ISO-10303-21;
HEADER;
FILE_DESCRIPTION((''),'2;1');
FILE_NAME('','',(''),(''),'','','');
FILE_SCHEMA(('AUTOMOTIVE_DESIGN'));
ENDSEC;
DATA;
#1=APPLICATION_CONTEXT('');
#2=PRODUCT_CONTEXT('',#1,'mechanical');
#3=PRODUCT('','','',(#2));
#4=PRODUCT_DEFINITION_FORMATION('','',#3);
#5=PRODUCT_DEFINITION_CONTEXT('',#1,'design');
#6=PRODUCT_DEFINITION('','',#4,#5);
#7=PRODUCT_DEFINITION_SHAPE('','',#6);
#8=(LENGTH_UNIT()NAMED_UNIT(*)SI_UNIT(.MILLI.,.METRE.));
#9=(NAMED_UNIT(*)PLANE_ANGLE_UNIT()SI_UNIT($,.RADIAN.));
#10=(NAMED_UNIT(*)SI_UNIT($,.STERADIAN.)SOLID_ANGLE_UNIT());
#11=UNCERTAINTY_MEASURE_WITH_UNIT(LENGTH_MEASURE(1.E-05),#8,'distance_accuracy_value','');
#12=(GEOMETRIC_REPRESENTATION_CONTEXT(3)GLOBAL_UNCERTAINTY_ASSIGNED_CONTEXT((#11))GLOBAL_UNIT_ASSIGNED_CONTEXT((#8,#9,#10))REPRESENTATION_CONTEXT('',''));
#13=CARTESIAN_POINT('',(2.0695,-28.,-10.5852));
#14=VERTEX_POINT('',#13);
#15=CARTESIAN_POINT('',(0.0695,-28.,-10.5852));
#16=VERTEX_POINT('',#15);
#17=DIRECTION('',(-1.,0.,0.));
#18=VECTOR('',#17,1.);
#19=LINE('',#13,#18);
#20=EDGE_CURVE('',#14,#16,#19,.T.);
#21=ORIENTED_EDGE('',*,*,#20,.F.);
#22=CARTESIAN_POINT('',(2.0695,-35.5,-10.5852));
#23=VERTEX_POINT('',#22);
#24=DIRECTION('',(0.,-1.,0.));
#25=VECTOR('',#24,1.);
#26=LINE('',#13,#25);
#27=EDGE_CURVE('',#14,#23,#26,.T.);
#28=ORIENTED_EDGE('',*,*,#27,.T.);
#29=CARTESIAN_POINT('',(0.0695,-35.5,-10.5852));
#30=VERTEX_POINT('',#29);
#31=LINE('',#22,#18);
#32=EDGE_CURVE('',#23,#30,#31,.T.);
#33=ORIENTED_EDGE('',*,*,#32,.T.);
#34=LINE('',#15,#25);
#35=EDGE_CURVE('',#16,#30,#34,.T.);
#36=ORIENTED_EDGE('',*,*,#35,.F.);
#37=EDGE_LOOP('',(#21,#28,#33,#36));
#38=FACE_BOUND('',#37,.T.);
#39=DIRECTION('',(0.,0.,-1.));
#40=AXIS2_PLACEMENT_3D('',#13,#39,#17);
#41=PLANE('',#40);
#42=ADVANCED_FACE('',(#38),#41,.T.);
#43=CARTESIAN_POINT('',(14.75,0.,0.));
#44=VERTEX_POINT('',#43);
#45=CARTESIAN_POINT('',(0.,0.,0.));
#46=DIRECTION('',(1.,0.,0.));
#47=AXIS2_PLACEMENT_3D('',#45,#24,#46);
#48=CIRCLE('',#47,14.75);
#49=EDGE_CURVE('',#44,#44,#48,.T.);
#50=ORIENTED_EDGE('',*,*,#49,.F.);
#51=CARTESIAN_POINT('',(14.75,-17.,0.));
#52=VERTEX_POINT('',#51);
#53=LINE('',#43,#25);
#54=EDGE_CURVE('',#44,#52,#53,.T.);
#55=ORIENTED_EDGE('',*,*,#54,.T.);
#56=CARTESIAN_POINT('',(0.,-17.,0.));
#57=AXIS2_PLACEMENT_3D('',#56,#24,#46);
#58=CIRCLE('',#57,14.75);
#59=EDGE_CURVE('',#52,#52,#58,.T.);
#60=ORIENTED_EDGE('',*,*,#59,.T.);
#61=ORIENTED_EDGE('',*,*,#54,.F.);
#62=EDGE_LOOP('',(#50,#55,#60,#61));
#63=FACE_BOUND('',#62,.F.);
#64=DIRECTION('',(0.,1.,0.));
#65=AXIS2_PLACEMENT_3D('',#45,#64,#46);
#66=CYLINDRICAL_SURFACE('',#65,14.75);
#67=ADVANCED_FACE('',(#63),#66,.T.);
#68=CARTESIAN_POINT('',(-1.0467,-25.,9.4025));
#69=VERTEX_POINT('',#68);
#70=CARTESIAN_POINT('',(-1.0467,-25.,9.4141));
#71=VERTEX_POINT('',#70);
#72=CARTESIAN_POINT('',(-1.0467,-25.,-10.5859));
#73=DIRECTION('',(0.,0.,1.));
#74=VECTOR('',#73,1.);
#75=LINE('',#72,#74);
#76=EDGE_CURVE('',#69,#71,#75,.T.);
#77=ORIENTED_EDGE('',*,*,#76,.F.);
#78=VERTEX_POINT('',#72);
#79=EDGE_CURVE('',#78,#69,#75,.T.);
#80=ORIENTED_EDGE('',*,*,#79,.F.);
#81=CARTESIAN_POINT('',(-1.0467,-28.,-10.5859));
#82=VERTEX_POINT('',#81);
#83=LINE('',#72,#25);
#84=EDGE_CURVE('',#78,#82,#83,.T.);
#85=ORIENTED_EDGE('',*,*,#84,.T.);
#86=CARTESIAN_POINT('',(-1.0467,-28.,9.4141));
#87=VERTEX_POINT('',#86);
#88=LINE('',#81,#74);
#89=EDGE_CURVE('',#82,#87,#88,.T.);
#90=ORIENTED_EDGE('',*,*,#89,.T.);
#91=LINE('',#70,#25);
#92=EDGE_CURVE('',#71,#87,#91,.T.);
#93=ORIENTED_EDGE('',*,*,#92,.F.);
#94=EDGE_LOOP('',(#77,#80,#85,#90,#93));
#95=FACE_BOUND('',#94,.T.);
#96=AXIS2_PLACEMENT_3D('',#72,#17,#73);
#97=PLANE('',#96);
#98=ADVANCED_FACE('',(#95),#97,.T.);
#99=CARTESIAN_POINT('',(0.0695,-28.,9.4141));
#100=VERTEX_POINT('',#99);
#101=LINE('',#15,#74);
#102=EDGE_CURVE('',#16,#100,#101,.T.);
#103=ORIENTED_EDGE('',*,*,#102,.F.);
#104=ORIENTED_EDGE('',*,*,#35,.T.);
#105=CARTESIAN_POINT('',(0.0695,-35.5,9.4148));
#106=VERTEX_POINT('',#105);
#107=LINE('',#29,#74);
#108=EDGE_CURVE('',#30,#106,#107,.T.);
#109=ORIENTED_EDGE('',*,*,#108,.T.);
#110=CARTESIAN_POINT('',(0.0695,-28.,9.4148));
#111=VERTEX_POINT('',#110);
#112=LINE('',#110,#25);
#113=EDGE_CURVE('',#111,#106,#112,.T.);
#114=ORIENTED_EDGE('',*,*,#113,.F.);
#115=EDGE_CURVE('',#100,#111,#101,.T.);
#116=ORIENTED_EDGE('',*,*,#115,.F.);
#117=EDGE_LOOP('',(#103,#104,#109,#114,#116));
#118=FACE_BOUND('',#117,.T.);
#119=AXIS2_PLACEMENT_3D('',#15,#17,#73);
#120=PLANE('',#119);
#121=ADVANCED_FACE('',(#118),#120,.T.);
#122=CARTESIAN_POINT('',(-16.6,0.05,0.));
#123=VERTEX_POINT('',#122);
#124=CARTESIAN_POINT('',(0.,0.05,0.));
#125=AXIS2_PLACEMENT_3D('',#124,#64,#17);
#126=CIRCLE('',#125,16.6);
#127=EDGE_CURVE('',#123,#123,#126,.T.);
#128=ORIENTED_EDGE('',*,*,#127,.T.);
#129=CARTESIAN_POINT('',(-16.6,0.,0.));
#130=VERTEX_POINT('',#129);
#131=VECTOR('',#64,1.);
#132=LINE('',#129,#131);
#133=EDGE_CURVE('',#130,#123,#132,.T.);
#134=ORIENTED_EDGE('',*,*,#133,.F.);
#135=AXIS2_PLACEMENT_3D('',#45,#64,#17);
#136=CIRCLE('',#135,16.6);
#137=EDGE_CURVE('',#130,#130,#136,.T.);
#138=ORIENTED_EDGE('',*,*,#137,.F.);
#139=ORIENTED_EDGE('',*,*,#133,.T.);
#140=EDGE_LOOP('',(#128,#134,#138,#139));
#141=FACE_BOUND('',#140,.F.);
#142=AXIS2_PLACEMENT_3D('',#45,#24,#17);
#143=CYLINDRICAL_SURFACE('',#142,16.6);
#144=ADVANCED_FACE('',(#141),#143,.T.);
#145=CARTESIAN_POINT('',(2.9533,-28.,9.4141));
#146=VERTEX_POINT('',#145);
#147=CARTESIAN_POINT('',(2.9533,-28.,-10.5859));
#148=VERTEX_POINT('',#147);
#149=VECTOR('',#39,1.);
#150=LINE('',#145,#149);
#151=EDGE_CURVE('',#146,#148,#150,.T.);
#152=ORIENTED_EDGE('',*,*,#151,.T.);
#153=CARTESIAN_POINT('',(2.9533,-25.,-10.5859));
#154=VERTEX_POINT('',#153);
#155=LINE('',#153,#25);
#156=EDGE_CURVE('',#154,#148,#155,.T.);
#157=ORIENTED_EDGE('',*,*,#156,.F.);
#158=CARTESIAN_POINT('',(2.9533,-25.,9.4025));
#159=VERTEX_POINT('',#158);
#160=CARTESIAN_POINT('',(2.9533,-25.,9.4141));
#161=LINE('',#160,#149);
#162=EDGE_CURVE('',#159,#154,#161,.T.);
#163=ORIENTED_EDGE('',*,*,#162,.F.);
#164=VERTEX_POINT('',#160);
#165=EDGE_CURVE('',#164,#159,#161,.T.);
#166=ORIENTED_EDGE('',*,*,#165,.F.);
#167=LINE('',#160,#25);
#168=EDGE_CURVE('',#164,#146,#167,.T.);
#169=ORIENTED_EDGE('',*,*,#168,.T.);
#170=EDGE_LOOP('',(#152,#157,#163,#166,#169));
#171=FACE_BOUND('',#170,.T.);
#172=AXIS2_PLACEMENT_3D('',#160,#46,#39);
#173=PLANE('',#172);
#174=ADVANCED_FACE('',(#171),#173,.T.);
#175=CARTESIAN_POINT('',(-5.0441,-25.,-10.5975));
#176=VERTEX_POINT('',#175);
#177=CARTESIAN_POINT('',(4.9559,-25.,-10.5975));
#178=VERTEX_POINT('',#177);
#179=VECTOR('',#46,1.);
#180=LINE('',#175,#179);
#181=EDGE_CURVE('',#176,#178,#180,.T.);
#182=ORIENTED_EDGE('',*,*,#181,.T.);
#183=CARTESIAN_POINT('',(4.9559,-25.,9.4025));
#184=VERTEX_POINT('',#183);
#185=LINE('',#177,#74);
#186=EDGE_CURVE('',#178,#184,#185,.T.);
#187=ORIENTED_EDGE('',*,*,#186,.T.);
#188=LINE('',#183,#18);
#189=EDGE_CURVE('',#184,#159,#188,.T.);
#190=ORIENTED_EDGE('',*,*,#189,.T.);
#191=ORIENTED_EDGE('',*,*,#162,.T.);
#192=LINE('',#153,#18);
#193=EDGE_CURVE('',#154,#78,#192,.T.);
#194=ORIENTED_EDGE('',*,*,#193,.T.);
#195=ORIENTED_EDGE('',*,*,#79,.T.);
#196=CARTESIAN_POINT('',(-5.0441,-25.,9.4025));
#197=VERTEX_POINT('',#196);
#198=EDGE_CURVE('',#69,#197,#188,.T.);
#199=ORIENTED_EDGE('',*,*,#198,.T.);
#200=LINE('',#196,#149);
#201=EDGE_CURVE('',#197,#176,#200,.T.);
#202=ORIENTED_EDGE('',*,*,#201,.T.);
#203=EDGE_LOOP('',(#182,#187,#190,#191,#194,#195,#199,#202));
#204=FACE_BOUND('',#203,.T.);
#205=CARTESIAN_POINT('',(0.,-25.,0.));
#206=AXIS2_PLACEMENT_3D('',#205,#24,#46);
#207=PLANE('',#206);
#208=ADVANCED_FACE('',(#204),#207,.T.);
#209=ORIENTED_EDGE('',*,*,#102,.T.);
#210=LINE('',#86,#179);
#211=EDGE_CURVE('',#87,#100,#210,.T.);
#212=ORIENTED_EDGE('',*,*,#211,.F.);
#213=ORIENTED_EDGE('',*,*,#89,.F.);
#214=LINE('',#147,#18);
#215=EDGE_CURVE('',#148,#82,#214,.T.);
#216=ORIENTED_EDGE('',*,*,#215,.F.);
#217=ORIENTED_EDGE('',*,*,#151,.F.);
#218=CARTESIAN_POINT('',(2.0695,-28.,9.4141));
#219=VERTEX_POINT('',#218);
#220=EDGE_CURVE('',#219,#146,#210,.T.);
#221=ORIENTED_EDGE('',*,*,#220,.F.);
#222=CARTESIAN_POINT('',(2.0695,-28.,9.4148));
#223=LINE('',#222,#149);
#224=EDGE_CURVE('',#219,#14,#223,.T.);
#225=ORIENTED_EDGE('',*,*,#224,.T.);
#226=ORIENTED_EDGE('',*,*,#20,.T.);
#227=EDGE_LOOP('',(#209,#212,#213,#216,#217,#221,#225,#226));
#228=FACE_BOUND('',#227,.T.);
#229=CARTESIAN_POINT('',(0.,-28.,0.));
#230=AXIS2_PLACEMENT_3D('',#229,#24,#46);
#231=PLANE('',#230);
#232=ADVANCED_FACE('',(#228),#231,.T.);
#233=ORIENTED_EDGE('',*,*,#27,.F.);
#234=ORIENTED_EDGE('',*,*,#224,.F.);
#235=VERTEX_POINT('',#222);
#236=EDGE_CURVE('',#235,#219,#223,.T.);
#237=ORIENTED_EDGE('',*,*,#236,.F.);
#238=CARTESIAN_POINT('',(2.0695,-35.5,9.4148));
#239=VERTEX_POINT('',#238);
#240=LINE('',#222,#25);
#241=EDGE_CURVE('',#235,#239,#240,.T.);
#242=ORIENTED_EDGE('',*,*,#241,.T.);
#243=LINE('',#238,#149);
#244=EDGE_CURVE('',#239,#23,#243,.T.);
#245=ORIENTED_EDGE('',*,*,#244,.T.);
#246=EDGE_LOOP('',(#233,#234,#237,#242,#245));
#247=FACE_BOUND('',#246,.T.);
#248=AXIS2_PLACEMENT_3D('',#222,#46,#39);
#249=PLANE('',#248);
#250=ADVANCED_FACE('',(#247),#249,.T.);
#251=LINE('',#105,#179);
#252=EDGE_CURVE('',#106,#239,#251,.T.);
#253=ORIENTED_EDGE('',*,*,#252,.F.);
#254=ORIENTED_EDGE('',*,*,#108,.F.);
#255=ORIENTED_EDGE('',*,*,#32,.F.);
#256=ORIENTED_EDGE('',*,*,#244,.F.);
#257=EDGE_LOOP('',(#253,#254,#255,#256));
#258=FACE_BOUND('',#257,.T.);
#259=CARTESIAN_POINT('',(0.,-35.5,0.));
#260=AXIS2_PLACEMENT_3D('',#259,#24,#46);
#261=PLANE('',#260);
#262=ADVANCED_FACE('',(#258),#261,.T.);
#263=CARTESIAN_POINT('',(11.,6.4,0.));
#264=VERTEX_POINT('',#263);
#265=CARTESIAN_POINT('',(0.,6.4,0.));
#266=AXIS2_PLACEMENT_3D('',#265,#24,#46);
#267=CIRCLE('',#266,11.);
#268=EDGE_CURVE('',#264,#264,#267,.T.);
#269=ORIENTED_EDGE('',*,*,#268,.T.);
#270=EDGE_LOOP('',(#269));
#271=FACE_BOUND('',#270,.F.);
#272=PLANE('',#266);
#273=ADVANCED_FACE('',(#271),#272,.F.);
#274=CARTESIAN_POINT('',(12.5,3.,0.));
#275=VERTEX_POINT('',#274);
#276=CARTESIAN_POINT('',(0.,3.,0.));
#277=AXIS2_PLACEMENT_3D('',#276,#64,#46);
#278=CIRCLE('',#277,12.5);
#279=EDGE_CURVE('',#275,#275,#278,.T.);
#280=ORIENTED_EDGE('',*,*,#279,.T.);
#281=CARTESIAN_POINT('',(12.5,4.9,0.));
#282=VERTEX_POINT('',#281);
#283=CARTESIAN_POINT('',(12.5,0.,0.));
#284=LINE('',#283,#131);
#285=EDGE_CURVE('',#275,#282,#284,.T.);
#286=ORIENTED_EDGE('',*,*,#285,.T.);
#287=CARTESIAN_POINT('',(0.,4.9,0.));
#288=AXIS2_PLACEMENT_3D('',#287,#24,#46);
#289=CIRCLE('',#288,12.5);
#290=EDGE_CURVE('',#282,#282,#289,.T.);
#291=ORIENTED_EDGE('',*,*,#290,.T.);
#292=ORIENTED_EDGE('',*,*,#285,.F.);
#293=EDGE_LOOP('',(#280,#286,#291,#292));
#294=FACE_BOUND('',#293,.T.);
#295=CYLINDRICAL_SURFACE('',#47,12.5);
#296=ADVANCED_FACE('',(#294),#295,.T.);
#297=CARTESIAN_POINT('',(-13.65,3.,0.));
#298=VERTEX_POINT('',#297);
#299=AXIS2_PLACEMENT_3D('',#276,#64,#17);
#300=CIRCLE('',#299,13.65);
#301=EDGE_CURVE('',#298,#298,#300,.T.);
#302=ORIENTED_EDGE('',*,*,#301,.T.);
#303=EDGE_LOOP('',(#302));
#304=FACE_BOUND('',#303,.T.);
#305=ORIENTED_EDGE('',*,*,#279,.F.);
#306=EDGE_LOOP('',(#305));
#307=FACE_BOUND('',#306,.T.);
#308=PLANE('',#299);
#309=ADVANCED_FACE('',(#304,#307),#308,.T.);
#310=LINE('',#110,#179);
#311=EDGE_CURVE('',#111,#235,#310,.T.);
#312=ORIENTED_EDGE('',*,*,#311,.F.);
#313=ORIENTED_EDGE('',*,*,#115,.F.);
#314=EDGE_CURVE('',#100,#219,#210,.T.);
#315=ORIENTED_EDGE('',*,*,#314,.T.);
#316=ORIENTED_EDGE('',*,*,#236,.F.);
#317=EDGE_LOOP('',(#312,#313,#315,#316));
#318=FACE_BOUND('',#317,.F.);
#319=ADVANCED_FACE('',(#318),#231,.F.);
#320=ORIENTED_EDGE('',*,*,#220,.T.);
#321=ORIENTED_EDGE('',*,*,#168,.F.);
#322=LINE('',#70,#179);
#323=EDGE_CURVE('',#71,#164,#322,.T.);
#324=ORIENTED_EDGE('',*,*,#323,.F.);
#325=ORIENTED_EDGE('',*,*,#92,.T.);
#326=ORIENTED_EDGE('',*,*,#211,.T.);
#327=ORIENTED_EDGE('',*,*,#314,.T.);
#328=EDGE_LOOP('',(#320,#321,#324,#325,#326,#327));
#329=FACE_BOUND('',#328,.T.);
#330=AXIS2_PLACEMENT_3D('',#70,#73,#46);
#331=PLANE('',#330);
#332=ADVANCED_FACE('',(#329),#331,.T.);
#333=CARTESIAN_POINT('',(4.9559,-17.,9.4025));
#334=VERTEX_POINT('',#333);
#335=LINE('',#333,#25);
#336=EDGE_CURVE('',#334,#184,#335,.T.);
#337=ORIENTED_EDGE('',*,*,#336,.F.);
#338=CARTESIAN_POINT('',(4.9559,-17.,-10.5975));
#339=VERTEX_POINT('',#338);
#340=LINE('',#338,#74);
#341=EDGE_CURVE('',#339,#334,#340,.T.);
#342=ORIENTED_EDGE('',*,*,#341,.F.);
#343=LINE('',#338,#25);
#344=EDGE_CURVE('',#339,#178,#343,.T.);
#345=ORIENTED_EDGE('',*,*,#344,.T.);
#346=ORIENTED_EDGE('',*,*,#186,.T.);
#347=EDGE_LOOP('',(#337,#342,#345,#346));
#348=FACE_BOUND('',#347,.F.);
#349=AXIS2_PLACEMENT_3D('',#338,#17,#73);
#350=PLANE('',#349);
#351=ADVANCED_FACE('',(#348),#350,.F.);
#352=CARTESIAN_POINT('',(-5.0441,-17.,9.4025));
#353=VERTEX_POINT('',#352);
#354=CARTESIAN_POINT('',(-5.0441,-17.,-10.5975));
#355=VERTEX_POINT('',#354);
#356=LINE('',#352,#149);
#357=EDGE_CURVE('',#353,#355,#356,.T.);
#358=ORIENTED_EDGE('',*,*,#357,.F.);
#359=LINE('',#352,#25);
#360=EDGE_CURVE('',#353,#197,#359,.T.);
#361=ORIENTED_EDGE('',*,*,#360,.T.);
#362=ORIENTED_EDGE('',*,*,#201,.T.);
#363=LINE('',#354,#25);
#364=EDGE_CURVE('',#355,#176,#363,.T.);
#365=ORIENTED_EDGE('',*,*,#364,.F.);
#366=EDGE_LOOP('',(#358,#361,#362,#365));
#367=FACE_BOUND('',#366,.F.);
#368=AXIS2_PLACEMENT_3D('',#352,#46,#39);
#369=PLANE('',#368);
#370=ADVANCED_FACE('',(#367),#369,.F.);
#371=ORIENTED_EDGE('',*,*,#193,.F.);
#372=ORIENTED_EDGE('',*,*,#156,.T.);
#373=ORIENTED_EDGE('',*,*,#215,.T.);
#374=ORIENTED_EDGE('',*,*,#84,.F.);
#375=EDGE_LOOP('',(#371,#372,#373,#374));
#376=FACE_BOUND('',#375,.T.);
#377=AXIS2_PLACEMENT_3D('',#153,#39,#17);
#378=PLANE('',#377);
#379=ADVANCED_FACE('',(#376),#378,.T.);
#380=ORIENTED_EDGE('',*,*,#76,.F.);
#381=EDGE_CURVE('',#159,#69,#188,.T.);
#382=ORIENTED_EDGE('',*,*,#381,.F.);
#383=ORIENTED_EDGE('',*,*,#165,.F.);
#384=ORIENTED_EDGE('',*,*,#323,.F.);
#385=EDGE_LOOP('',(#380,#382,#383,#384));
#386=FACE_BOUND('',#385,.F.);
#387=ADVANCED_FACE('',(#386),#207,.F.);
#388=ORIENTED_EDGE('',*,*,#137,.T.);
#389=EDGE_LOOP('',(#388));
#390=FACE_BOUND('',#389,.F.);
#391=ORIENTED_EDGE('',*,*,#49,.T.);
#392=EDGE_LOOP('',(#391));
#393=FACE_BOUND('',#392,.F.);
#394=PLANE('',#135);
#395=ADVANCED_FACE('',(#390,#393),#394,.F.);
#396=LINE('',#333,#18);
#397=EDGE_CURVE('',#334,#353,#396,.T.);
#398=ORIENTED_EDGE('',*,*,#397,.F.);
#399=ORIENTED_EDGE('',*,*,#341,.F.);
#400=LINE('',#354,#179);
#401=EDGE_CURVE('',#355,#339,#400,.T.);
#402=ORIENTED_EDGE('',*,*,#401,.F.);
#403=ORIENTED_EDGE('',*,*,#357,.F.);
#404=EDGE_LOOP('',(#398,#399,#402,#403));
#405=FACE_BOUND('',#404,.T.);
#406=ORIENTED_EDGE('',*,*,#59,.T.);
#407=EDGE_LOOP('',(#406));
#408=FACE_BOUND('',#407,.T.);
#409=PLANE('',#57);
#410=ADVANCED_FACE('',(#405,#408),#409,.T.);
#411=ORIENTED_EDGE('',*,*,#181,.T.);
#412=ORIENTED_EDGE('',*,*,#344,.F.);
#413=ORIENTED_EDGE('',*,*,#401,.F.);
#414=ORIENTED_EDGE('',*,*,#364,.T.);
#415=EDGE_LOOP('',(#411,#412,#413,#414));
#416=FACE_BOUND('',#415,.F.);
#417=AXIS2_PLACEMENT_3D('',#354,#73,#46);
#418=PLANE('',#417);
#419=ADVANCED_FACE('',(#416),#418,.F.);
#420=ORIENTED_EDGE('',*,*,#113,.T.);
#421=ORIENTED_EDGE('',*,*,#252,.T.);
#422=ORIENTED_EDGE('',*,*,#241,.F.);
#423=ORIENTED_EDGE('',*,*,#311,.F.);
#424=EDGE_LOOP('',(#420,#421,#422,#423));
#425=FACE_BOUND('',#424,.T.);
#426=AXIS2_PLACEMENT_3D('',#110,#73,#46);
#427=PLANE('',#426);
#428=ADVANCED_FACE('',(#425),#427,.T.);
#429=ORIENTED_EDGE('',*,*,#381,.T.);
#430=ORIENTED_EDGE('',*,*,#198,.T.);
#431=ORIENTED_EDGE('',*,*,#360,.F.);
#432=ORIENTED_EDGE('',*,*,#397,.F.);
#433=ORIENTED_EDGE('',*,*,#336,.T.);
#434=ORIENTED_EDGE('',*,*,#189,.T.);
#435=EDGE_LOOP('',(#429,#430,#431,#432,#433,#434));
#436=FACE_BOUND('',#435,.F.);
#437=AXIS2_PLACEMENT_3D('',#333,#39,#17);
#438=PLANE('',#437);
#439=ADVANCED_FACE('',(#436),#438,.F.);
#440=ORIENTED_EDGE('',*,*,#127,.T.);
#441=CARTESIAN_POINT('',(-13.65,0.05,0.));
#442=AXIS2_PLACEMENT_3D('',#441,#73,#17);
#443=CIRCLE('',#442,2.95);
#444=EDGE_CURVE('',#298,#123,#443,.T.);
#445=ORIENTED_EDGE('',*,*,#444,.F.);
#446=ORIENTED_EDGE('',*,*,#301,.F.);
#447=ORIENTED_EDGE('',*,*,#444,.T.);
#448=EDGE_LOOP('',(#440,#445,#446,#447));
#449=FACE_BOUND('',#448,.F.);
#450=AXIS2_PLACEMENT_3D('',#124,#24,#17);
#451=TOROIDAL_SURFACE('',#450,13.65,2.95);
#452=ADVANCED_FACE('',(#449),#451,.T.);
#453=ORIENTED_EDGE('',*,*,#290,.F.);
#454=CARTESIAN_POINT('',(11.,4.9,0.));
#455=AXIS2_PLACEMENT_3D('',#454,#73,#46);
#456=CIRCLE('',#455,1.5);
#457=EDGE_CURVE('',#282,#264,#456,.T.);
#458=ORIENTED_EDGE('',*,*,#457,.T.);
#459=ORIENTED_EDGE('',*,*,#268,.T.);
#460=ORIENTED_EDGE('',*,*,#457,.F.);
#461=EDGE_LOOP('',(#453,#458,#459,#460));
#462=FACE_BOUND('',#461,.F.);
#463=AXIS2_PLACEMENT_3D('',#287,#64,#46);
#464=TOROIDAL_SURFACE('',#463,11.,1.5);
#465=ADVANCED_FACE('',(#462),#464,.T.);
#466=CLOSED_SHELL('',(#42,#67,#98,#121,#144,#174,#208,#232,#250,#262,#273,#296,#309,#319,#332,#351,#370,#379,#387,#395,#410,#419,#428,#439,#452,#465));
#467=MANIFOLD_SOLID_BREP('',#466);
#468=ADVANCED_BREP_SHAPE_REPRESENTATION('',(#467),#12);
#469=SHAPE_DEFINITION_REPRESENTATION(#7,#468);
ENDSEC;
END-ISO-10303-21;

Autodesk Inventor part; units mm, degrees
ref_plane "YZ Plane" through (0, 0, 0) normal (1, 0, 0) x (0, 1, 0)
ref_plane "XZ Plane" through (0, 0, 0) normal (0, 1, 0) x (-1, 0, 0)
ref_plane "XY Plane" through (0, 0, 0) normal (0, 0, 1) x (1, 0, 0)
sketch "Sketch1" plane through (0, 0, 0) normal (0, 1, 0) x (-1, 0, 0)
  circle A0 centre (0, 0) radius 12.5
  circle A1 centre (0, 0) radius 16.6
  circle A2 centre (0, 0) radius 18
  circle A3 centre (0, 0) radius 14.75
  dimension "d0" = 25
  dimension "d1" = 33.2
  dimension "d2" = 36
  dimension "d3" = 29.5
extrude "Extrusion1" add sketch "Sketch1" along normal blind 3 contours A1 | A3
sketch "Sketch2" plane through (0, 0, 0) normal (0, -1, 0) x (1, 0, 0)
  circle A0 centre (0, 0) radius 12.5 projected
  circle A1 centre (0, 0) radius 12.5
  circle A2 centre (0, 0) radius 16.6
  circle A3 centre (0, 0) radius 18
  circle A4 centre (0, 0) radius 14.75
  dimension "d6" = 25
  dimension "d7" = 33.2
  dimension "d8" = 36
  dimension "d9" = 29.5
extrude "Extrusion2" add sketch "Sketch2" against normal blind 6.4 contours A0
fillet "Fillet1" radius 1.5 1 edges at (-12.5, 6.4, 0)
fillet "Fillet2" radius 2.95 1 edges at (16.6, 3, 0)
sketch "Sketch5" plane through (0, 0, 0) normal (0, -1, 0) x (1, 0, 0)
  circle A0 centre (0, 0) radius 16.6 projected
  circle A1 centre (0, 0) radius 14.75
  dimension "d23" = 29.5
extrude "Extrusion5" add sketch "Sketch5" along normal blind 17 contours A1
sketch "Sketch7" plane through (0, -17, 0) normal (0, -1, 0) x (1, 0, 0)
  line L0 (4.9559, 9.4025) -> (-5.0441, 9.4025)
  line L1 (-5.0441, 9.4025) -> (-5.0441, -10.5975)
  line L2 (-5.0441, -10.5975) -> (4.9559, -10.5975)
  line L3 (4.9559, -10.5975) -> (4.9559, 9.4025)
  point P0 (0, 0)
  dimension "d30" = 10
  dimension "d32" = 20
extrude "Extrusion7" add sketch "Sketch7" along normal blind 8
sketch "Sketch8" plane through (0, -25, 0) normal (0, -1, 0) x (1, 0, 0)
  line L0 (-1.0467, 9.4141) -> (2.9533, 9.4141)
  line L1 (2.9533, 9.4141) -> (2.9533, -10.5859)
  line L2 (2.9533, -10.5859) -> (-1.0467, -10.5859)
  line L3 (-1.0467, -10.5859) -> (-1.0467, 9.4141)
  point P0 (0, 0)
  dimension "d35" = 4
  dimension "d37" = 20
extrude "Extrusion8" add sketch "Sketch8" along normal blind 3
thread "Thread1" size "M30x1" class "6g" standard "ANSI Metric M Profile" full length
sketch "Sketch10" plane through (0, -28, 0) normal (0, -1, 0) x (1, 0, 0)
  line L0 (0.0695, 9.4148) -> (2.0695, 9.4148)
  line L1 (2.0695, 9.4148) -> (2.0695, -10.5852)
  line L2 (2.0695, -10.5852) -> (0.0695, -10.5852)
  line L3 (0.0695, -10.5852) -> (0.0695, 9.4148)
  point P0 (0, 0)
  dimension "d46" = 20
  dimension "d48" = 2
extrude "Extrusion10" add sketch "Sketch10" along normal blind 7.5
properties part number "OBSN-30-B" material "Nylon 6"
